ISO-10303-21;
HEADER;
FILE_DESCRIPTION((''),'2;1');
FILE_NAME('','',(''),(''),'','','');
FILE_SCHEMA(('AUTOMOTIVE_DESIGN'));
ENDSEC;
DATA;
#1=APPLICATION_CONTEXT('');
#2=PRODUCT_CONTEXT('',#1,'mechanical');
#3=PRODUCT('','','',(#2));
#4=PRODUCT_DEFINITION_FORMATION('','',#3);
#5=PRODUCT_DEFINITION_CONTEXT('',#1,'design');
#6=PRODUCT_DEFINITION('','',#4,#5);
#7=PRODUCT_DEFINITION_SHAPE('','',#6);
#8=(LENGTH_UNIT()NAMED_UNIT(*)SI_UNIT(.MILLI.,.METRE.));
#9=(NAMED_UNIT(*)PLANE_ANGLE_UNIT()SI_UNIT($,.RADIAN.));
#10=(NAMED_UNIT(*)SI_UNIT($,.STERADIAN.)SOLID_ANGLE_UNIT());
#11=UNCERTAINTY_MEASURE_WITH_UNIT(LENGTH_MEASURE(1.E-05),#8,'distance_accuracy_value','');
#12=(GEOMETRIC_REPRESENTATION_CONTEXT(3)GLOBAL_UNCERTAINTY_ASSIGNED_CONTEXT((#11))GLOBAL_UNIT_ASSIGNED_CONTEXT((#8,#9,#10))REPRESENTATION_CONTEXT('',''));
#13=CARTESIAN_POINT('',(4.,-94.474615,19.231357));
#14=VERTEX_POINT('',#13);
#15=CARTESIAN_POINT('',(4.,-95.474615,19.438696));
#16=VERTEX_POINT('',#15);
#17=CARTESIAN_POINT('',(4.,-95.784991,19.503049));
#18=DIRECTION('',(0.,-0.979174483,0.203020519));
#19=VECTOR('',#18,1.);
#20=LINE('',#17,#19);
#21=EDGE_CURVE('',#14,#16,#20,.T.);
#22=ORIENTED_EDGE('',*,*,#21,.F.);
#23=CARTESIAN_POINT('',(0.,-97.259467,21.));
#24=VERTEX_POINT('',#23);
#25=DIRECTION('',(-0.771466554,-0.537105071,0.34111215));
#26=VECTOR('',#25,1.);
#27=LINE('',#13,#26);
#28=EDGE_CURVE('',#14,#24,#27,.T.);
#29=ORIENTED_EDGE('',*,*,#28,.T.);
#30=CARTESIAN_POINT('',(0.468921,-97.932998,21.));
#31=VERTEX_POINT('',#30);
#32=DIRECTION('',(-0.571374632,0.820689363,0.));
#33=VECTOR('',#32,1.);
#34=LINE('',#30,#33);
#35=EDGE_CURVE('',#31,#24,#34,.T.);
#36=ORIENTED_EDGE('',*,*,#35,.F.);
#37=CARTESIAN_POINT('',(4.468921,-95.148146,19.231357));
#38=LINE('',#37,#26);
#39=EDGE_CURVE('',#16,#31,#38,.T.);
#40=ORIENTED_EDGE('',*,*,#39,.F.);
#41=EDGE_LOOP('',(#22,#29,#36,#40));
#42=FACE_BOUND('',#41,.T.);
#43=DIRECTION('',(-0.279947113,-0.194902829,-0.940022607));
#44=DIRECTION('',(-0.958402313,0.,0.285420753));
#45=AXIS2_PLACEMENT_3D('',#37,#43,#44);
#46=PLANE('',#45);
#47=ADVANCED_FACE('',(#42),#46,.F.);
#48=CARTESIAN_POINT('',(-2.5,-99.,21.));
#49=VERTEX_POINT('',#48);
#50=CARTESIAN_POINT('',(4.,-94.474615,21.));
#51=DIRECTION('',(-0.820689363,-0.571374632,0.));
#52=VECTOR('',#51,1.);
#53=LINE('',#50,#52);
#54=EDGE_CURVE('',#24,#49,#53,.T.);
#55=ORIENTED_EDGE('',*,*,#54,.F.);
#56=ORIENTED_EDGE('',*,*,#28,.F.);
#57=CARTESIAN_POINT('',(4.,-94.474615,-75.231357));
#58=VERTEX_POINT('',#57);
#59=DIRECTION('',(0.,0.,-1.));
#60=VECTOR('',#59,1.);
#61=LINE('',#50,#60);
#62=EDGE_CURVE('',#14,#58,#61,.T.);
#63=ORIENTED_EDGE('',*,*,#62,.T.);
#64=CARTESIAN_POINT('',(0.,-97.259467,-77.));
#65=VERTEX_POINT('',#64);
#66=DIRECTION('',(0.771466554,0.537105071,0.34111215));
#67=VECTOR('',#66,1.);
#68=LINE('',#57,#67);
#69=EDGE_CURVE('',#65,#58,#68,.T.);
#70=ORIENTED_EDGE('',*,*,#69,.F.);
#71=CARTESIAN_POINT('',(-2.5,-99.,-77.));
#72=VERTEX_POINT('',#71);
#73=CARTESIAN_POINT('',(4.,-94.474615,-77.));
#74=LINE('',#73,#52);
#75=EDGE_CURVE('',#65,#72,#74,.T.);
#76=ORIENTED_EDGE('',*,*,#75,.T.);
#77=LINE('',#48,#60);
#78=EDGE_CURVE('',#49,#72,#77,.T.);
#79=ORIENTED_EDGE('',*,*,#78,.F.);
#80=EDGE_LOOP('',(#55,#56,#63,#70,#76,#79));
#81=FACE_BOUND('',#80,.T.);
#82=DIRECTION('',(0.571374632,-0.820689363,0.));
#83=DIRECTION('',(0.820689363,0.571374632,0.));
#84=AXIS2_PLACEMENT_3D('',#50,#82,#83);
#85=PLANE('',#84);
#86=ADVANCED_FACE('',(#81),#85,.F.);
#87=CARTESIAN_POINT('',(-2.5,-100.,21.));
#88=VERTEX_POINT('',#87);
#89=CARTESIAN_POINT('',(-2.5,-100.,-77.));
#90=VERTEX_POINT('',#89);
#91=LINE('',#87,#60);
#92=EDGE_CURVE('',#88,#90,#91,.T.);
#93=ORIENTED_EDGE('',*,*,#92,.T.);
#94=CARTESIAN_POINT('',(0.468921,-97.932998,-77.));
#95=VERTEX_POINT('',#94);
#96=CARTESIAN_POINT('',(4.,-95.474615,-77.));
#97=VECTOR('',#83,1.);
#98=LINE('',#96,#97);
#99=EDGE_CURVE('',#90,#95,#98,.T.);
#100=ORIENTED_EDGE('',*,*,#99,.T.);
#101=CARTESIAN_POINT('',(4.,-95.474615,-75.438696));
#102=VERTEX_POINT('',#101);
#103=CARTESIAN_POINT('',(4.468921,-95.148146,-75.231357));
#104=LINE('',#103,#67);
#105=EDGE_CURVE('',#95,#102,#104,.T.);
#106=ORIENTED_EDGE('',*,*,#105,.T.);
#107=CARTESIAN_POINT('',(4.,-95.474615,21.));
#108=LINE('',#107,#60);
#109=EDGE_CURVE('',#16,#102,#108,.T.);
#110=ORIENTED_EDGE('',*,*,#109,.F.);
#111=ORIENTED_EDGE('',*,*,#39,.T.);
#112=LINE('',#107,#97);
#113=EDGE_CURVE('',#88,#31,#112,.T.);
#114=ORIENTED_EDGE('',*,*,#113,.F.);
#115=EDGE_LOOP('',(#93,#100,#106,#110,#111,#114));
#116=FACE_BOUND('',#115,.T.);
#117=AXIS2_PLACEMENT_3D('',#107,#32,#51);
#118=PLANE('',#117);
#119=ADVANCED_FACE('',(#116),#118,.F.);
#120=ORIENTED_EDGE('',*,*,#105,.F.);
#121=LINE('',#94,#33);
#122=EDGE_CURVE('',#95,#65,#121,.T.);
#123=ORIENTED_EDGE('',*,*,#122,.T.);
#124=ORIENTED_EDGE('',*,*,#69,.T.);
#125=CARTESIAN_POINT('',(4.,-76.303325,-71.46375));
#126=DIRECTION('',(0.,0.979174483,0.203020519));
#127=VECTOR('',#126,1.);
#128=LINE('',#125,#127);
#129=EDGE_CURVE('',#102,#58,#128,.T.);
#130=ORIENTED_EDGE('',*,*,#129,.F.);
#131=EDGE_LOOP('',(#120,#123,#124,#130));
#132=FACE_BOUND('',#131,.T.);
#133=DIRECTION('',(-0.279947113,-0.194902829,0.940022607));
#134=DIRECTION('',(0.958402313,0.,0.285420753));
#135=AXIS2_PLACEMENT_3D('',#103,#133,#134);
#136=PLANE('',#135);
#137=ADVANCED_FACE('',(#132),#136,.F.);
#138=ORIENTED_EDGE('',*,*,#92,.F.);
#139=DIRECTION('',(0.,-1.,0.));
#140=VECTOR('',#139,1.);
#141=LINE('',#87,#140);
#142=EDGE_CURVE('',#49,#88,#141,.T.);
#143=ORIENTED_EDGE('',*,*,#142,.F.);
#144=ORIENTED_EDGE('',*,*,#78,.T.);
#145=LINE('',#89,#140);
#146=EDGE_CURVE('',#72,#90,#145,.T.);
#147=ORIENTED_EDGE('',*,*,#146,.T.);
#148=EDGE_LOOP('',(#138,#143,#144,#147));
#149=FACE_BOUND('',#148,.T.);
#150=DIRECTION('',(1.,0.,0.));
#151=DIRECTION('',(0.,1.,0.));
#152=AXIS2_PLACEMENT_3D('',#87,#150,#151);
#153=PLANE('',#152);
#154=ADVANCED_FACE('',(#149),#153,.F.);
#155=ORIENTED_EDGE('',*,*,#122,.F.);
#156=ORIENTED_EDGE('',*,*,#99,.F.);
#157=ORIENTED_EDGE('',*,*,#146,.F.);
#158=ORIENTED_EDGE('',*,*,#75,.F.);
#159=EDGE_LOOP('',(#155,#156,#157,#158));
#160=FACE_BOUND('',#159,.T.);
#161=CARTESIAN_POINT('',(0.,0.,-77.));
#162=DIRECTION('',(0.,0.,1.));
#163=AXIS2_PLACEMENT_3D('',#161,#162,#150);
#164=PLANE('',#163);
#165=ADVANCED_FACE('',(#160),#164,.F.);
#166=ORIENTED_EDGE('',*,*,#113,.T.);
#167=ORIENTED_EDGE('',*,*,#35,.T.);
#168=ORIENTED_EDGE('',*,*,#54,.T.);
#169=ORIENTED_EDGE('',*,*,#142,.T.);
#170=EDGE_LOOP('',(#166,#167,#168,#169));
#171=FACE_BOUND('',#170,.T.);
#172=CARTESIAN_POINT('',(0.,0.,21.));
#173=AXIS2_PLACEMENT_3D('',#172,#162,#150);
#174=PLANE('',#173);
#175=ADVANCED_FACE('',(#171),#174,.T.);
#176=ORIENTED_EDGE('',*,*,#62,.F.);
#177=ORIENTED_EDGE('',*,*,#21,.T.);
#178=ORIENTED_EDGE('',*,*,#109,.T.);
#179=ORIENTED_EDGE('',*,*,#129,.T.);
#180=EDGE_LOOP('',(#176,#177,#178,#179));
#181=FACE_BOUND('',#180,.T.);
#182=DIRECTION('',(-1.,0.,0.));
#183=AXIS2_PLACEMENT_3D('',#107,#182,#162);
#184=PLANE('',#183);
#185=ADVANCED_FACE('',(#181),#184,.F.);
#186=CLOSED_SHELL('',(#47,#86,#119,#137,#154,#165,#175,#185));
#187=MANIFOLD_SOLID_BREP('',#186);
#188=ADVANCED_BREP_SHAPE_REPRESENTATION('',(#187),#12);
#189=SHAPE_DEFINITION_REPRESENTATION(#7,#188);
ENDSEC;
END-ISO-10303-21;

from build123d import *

# Parameters (mm, degrees)
SALIENTE_EXTRUIR2_DEPTH      = 21
SALIENTE_EXTRUIR2_DEPTH_BACK = 77
CORTAR_EXTRUIR2_DEPTH        = 5.534624471


with BuildPart() as part:
    # Croquis1 → Saliente-Extruir2 (new body, two sides)
    with BuildSketch(Plane.XY) as saliente_extruir2_sk:
        Polygon((4, -95.47461527), (-2.5, -100), (-2.5, -99), (4, -94.47461527), align=None)
    extrude(amount=SALIENTE_EXTRUIR2_DEPTH)
    extrude(saliente_extruir2_sk.sketch, amount=-SALIENTE_EXTRUIR2_DEPTH_BACK)

    # Croquis3 → Cortar-Extruir2 (cut, through all)
    with BuildSketch(Plane(origin=(45.607014753, -65.507269237, 0), x_dir=(0.820689363, 0.571374632, 0), z_dir=(-0.571374632, 0.820689363, 0))):
        Polygon((-50.697641098, 77), (-50.697641098, 75.231357415), (-55.571592416, 77), align=None)
        Polygon((-50.697641098, -21), (-50.697641098, -19.231357415), (-55.571592416, -21), align=None)
    extrude(amount=-CORTAR_EXTRUIR2_DEPTH, mode=Mode.SUBTRACT)


solid = part.part
